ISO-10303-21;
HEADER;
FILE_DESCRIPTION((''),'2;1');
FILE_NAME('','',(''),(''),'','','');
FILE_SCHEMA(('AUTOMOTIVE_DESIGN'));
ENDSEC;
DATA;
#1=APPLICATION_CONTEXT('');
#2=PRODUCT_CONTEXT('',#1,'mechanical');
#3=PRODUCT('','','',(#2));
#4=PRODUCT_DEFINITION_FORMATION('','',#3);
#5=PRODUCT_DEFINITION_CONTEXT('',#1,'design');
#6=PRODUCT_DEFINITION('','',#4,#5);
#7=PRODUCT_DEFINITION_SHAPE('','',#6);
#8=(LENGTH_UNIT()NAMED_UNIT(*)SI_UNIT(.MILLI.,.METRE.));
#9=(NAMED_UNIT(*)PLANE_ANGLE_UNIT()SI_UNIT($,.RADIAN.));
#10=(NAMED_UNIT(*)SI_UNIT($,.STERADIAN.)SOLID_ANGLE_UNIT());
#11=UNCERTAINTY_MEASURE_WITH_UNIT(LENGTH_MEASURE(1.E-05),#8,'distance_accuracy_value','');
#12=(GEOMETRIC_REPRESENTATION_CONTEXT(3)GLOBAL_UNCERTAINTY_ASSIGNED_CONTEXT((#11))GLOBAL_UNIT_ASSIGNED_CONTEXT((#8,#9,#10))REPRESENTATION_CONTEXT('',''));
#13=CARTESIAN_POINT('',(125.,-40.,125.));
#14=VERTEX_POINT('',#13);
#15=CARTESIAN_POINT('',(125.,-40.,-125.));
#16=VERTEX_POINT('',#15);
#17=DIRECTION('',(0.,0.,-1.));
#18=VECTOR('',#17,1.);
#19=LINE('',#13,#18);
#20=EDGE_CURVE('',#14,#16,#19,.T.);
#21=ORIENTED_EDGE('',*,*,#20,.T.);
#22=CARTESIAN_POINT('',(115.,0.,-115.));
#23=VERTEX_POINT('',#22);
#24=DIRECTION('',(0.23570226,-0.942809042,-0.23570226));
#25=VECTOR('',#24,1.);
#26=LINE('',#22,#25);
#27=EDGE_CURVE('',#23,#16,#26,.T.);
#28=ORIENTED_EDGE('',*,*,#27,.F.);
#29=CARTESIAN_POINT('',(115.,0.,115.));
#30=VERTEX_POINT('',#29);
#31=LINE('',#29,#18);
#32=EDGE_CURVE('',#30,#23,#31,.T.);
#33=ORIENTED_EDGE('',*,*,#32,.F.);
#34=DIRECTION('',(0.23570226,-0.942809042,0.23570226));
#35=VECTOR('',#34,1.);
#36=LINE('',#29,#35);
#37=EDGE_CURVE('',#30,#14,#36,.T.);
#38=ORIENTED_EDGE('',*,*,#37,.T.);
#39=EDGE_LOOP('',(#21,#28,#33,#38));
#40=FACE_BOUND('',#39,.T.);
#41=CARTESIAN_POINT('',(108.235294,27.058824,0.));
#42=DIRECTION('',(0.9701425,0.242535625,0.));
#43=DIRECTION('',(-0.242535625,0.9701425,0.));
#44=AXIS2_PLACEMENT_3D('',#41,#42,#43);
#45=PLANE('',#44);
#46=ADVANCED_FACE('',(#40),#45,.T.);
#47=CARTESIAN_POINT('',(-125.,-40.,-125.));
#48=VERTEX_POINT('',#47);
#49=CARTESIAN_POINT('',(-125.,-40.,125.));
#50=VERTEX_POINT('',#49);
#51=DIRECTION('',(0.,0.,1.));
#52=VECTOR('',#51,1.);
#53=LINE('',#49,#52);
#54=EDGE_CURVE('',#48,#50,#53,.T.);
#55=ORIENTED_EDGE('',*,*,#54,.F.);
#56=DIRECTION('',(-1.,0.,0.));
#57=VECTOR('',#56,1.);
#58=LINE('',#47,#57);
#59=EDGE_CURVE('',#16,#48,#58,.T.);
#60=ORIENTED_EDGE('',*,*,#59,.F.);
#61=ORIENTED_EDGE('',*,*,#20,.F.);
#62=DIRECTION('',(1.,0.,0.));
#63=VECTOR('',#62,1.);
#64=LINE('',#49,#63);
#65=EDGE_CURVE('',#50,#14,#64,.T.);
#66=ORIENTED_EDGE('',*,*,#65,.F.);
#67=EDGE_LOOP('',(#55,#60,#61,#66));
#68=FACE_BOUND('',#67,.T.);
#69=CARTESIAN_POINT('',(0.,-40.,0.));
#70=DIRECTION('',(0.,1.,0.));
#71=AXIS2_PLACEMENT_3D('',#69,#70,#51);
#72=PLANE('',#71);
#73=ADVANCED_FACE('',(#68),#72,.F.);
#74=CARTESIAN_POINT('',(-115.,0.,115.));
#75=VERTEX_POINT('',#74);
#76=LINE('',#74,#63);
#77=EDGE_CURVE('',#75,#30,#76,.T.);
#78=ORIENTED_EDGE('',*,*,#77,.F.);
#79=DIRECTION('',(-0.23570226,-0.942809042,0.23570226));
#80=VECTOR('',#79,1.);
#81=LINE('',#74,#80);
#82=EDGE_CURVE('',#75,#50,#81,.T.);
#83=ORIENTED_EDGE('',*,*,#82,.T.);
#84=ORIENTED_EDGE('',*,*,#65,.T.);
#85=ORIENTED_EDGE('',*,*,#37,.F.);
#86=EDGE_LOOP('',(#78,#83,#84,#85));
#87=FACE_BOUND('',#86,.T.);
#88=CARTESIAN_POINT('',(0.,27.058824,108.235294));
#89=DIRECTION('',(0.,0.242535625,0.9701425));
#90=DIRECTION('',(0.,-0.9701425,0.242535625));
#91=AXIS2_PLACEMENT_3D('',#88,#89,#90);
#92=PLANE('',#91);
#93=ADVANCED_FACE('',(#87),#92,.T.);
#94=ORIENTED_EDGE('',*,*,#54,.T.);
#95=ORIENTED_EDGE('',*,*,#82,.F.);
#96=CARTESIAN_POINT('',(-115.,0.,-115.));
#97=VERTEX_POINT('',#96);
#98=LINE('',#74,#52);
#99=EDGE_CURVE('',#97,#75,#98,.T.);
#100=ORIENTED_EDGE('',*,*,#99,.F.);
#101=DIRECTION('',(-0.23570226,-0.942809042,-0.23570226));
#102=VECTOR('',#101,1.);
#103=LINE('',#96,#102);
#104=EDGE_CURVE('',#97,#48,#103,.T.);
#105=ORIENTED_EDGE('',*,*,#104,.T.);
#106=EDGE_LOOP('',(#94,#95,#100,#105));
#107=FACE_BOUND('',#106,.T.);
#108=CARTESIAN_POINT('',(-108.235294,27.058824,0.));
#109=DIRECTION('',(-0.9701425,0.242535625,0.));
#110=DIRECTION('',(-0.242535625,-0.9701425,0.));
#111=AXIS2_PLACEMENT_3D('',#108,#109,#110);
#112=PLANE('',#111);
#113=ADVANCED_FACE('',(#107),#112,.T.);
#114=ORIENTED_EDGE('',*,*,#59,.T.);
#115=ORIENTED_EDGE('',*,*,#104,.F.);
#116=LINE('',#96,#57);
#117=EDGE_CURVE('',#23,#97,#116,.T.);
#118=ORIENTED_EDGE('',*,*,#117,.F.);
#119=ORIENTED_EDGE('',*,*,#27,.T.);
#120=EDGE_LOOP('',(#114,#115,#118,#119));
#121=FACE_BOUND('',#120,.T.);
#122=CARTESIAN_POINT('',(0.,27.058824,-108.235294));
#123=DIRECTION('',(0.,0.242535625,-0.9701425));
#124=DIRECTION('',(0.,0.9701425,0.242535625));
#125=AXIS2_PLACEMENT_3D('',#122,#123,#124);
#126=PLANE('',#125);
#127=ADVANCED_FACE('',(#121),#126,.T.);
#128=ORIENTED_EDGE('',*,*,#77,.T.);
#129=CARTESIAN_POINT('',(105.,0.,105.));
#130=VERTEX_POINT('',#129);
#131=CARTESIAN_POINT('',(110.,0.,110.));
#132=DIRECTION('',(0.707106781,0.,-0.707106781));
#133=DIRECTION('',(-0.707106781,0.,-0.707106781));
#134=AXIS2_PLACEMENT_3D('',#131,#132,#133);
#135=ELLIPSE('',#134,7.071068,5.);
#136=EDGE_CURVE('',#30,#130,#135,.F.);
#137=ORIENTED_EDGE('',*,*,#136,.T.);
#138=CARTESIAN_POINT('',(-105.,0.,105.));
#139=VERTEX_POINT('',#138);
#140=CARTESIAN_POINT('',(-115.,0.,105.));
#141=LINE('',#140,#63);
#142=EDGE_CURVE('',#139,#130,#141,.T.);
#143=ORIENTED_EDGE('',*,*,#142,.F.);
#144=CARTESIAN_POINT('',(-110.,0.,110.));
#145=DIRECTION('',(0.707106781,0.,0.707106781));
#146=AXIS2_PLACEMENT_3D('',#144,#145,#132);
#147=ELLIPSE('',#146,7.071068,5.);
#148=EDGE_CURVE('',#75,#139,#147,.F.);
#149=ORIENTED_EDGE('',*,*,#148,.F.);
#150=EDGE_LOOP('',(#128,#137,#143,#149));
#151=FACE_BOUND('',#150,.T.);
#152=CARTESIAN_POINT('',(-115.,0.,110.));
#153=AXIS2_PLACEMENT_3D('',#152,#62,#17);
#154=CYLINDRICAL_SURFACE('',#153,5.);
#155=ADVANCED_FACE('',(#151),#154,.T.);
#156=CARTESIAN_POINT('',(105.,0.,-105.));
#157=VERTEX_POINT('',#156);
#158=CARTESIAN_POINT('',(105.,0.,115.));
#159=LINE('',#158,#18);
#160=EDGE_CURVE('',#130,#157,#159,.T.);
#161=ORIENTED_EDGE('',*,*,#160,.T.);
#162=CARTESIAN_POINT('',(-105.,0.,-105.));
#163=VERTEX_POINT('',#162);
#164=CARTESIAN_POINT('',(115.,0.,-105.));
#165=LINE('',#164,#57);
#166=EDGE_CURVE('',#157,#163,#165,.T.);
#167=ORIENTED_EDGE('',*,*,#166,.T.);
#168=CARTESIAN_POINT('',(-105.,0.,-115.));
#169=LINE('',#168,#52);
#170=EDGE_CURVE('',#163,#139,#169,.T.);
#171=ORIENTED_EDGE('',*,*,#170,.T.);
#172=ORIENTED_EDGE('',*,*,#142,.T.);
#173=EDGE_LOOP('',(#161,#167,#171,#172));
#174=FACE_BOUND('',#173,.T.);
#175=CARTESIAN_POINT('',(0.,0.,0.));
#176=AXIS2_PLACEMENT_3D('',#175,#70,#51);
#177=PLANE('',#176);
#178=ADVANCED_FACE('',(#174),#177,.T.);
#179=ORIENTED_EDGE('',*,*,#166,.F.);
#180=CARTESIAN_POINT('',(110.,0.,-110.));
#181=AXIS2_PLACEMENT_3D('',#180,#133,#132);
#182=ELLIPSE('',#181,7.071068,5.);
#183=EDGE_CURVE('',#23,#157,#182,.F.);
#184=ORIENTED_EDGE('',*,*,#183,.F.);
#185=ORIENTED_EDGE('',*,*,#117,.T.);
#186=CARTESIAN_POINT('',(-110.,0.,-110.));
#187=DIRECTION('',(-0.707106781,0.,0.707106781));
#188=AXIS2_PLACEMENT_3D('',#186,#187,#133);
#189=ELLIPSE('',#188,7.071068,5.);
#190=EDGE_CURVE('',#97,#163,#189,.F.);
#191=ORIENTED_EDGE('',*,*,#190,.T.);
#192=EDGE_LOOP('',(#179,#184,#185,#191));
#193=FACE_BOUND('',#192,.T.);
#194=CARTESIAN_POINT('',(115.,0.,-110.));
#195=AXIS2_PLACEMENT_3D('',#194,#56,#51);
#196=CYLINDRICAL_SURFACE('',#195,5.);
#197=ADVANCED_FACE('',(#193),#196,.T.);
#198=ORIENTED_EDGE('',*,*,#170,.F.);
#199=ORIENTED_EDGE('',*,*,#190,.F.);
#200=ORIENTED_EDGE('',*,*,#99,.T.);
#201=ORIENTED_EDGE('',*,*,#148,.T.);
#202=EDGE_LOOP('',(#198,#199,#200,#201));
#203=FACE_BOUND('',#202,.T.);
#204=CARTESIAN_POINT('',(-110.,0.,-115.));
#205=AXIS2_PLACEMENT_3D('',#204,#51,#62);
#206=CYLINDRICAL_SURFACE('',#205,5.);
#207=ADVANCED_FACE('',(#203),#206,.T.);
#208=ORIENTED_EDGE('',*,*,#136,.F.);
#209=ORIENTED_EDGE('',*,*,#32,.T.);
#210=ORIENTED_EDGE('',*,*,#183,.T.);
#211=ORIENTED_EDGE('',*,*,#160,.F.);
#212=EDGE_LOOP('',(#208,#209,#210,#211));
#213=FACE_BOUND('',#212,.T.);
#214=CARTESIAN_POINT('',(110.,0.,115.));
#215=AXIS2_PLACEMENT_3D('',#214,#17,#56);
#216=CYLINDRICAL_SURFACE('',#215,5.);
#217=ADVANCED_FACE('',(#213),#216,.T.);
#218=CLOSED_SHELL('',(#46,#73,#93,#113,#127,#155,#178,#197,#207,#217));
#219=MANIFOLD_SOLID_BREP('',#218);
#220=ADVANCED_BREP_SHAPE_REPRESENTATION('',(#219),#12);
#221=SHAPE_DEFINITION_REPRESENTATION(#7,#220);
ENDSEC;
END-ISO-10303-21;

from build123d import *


with BuildPart() as part:
    # 草图2 → 放样1 section 0
    with BuildSketch(Plane(origin=(0, 0, 0), x_dir=(1, 0, 0), z_dir=(0, 1, 0))):
        with BuildLine():
            Line((-115, -115), (-115, 115))
            Line((-115, 115), (115, 115))
            Line((115, 115), (115, -115))
            Line((115, -115), (-115, -115))
        make_face()
    # 草图3 → 放样1 section 1
    with BuildSketch(Plane(origin=(0, -40, 0), x_dir=(1, 0, 0), z_dir=(0, 1, 0))):
        with BuildLine():
            Line((125, -125), (125, 125))
            Line((125, 125), (-125, 125))
            Line((-125, 125), (-125, -125))
            Line((-125, -125), (125, -125))
        make_face()
    loft()

    # 扫描1: sweep along a path in 草图2<2>
    with BuildLine(Plane(origin=(0, 0, 0), x_dir=(1, 0, 0), z_dir=(0, 1, 0))) as sweep_1_path:
        Line((-115, -115), (-115, 115))
        Line((-115, 115), (115, 115))
        Line((115, 115), (115, -115))
        Line((115, -115), (-115, -115))
    # 草图4 → 扫描1 (sweep)
    with BuildSketch(Plane(origin=(0, 0, 115), x_dir=(-1, 0, 0), z_dir=(0, 0, -1))):
        with BuildLine():
            Line((-115, 0), (-105, 0))
            ThreePointArc((-105, 0), (-110, 5), (-115, 0))
        make_face()
    sweep(path=sweep_1_path.line, transition=Transition.RIGHT)


solid = part.part
